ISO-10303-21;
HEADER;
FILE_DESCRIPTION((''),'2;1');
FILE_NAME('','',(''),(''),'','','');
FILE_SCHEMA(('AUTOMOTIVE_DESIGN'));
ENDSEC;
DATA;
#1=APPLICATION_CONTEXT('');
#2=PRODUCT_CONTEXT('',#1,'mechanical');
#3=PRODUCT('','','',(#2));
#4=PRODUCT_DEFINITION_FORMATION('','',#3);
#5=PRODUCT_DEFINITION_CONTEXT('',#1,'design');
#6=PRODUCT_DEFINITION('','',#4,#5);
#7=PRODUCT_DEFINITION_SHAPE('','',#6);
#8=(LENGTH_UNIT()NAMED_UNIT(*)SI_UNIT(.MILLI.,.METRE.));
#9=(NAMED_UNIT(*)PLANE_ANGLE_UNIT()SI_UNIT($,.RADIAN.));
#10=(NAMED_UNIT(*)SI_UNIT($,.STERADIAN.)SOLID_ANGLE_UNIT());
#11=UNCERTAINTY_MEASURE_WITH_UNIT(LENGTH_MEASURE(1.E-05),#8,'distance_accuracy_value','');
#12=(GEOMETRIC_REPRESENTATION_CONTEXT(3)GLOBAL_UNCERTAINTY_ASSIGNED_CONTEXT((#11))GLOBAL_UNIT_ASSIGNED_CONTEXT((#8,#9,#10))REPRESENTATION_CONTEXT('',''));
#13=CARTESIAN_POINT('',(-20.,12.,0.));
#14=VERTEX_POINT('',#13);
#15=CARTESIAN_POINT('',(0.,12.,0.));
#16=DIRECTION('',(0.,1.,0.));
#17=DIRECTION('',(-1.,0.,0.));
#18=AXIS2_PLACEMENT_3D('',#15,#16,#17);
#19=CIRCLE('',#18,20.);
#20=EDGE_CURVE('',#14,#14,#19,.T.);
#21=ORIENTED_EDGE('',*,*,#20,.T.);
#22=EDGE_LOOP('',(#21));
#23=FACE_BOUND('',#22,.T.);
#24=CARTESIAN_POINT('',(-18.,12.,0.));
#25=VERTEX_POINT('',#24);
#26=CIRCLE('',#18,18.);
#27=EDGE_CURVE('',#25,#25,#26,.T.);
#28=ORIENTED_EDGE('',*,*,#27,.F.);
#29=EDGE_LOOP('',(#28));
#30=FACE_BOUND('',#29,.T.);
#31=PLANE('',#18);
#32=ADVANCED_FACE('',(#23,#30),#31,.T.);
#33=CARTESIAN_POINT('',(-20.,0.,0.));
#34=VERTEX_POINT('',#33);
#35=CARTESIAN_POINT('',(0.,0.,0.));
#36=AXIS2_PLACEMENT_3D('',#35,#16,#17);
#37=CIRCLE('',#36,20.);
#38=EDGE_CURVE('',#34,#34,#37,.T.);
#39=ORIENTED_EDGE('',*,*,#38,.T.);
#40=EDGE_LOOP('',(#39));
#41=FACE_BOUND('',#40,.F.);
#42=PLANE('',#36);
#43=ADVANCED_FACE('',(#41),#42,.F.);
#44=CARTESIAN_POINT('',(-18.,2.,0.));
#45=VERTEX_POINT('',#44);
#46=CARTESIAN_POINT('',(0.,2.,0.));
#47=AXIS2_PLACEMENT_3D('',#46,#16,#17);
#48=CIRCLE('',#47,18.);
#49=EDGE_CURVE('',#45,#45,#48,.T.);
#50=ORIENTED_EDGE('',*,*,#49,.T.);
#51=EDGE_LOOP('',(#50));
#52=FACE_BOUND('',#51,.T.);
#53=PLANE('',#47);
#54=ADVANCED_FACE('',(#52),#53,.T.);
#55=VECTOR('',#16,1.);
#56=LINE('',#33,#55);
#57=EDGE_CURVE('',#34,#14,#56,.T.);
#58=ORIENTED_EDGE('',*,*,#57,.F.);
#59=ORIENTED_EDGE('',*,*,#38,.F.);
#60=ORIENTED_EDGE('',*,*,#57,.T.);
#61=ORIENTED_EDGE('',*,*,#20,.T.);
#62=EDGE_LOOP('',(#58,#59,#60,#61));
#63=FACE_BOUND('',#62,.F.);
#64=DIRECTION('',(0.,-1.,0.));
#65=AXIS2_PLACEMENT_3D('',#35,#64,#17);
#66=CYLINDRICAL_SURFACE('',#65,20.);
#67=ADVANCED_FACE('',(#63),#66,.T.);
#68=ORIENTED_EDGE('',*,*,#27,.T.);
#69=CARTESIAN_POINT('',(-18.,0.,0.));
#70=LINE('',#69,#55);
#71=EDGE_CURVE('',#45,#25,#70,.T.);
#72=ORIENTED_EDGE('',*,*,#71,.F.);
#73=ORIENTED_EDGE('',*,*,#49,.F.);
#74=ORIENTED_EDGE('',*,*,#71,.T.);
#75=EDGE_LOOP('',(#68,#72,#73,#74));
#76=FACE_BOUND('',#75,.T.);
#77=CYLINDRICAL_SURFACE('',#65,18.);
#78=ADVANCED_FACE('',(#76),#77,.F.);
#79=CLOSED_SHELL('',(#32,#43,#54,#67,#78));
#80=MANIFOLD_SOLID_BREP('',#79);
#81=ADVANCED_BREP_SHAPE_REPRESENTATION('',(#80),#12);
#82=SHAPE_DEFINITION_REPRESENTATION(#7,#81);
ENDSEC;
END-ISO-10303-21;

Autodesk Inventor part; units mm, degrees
ref_plane "YZ Plane" through (0, 0, 0) normal (1, 0, 0) x (0, 1, 0)
ref_plane "XZ Plane" through (0, 0, 0) normal (0, 1, 0) x (-1, 0, 0)
ref_plane "XY Plane" through (0, 0, 0) normal (0, 0, 1) x (1, 0, 0)
sketch "Sketch1" plane through (0, 0, 0) normal (0, 1, 0) x (-1, 0, 0)
  circle A0 centre (0, 0) radius 20
  circle A1 centre (0, 0) radius 18
  dimension "d0" = 40
  dimension "d1" = 36
extrude "Extrusion1" add sketch "Sketch1" along normal blind 12
extrude "Extrusion2" add sketch "Sketch1" along normal blind 2 contours A1
properties part number "Al_holder"
